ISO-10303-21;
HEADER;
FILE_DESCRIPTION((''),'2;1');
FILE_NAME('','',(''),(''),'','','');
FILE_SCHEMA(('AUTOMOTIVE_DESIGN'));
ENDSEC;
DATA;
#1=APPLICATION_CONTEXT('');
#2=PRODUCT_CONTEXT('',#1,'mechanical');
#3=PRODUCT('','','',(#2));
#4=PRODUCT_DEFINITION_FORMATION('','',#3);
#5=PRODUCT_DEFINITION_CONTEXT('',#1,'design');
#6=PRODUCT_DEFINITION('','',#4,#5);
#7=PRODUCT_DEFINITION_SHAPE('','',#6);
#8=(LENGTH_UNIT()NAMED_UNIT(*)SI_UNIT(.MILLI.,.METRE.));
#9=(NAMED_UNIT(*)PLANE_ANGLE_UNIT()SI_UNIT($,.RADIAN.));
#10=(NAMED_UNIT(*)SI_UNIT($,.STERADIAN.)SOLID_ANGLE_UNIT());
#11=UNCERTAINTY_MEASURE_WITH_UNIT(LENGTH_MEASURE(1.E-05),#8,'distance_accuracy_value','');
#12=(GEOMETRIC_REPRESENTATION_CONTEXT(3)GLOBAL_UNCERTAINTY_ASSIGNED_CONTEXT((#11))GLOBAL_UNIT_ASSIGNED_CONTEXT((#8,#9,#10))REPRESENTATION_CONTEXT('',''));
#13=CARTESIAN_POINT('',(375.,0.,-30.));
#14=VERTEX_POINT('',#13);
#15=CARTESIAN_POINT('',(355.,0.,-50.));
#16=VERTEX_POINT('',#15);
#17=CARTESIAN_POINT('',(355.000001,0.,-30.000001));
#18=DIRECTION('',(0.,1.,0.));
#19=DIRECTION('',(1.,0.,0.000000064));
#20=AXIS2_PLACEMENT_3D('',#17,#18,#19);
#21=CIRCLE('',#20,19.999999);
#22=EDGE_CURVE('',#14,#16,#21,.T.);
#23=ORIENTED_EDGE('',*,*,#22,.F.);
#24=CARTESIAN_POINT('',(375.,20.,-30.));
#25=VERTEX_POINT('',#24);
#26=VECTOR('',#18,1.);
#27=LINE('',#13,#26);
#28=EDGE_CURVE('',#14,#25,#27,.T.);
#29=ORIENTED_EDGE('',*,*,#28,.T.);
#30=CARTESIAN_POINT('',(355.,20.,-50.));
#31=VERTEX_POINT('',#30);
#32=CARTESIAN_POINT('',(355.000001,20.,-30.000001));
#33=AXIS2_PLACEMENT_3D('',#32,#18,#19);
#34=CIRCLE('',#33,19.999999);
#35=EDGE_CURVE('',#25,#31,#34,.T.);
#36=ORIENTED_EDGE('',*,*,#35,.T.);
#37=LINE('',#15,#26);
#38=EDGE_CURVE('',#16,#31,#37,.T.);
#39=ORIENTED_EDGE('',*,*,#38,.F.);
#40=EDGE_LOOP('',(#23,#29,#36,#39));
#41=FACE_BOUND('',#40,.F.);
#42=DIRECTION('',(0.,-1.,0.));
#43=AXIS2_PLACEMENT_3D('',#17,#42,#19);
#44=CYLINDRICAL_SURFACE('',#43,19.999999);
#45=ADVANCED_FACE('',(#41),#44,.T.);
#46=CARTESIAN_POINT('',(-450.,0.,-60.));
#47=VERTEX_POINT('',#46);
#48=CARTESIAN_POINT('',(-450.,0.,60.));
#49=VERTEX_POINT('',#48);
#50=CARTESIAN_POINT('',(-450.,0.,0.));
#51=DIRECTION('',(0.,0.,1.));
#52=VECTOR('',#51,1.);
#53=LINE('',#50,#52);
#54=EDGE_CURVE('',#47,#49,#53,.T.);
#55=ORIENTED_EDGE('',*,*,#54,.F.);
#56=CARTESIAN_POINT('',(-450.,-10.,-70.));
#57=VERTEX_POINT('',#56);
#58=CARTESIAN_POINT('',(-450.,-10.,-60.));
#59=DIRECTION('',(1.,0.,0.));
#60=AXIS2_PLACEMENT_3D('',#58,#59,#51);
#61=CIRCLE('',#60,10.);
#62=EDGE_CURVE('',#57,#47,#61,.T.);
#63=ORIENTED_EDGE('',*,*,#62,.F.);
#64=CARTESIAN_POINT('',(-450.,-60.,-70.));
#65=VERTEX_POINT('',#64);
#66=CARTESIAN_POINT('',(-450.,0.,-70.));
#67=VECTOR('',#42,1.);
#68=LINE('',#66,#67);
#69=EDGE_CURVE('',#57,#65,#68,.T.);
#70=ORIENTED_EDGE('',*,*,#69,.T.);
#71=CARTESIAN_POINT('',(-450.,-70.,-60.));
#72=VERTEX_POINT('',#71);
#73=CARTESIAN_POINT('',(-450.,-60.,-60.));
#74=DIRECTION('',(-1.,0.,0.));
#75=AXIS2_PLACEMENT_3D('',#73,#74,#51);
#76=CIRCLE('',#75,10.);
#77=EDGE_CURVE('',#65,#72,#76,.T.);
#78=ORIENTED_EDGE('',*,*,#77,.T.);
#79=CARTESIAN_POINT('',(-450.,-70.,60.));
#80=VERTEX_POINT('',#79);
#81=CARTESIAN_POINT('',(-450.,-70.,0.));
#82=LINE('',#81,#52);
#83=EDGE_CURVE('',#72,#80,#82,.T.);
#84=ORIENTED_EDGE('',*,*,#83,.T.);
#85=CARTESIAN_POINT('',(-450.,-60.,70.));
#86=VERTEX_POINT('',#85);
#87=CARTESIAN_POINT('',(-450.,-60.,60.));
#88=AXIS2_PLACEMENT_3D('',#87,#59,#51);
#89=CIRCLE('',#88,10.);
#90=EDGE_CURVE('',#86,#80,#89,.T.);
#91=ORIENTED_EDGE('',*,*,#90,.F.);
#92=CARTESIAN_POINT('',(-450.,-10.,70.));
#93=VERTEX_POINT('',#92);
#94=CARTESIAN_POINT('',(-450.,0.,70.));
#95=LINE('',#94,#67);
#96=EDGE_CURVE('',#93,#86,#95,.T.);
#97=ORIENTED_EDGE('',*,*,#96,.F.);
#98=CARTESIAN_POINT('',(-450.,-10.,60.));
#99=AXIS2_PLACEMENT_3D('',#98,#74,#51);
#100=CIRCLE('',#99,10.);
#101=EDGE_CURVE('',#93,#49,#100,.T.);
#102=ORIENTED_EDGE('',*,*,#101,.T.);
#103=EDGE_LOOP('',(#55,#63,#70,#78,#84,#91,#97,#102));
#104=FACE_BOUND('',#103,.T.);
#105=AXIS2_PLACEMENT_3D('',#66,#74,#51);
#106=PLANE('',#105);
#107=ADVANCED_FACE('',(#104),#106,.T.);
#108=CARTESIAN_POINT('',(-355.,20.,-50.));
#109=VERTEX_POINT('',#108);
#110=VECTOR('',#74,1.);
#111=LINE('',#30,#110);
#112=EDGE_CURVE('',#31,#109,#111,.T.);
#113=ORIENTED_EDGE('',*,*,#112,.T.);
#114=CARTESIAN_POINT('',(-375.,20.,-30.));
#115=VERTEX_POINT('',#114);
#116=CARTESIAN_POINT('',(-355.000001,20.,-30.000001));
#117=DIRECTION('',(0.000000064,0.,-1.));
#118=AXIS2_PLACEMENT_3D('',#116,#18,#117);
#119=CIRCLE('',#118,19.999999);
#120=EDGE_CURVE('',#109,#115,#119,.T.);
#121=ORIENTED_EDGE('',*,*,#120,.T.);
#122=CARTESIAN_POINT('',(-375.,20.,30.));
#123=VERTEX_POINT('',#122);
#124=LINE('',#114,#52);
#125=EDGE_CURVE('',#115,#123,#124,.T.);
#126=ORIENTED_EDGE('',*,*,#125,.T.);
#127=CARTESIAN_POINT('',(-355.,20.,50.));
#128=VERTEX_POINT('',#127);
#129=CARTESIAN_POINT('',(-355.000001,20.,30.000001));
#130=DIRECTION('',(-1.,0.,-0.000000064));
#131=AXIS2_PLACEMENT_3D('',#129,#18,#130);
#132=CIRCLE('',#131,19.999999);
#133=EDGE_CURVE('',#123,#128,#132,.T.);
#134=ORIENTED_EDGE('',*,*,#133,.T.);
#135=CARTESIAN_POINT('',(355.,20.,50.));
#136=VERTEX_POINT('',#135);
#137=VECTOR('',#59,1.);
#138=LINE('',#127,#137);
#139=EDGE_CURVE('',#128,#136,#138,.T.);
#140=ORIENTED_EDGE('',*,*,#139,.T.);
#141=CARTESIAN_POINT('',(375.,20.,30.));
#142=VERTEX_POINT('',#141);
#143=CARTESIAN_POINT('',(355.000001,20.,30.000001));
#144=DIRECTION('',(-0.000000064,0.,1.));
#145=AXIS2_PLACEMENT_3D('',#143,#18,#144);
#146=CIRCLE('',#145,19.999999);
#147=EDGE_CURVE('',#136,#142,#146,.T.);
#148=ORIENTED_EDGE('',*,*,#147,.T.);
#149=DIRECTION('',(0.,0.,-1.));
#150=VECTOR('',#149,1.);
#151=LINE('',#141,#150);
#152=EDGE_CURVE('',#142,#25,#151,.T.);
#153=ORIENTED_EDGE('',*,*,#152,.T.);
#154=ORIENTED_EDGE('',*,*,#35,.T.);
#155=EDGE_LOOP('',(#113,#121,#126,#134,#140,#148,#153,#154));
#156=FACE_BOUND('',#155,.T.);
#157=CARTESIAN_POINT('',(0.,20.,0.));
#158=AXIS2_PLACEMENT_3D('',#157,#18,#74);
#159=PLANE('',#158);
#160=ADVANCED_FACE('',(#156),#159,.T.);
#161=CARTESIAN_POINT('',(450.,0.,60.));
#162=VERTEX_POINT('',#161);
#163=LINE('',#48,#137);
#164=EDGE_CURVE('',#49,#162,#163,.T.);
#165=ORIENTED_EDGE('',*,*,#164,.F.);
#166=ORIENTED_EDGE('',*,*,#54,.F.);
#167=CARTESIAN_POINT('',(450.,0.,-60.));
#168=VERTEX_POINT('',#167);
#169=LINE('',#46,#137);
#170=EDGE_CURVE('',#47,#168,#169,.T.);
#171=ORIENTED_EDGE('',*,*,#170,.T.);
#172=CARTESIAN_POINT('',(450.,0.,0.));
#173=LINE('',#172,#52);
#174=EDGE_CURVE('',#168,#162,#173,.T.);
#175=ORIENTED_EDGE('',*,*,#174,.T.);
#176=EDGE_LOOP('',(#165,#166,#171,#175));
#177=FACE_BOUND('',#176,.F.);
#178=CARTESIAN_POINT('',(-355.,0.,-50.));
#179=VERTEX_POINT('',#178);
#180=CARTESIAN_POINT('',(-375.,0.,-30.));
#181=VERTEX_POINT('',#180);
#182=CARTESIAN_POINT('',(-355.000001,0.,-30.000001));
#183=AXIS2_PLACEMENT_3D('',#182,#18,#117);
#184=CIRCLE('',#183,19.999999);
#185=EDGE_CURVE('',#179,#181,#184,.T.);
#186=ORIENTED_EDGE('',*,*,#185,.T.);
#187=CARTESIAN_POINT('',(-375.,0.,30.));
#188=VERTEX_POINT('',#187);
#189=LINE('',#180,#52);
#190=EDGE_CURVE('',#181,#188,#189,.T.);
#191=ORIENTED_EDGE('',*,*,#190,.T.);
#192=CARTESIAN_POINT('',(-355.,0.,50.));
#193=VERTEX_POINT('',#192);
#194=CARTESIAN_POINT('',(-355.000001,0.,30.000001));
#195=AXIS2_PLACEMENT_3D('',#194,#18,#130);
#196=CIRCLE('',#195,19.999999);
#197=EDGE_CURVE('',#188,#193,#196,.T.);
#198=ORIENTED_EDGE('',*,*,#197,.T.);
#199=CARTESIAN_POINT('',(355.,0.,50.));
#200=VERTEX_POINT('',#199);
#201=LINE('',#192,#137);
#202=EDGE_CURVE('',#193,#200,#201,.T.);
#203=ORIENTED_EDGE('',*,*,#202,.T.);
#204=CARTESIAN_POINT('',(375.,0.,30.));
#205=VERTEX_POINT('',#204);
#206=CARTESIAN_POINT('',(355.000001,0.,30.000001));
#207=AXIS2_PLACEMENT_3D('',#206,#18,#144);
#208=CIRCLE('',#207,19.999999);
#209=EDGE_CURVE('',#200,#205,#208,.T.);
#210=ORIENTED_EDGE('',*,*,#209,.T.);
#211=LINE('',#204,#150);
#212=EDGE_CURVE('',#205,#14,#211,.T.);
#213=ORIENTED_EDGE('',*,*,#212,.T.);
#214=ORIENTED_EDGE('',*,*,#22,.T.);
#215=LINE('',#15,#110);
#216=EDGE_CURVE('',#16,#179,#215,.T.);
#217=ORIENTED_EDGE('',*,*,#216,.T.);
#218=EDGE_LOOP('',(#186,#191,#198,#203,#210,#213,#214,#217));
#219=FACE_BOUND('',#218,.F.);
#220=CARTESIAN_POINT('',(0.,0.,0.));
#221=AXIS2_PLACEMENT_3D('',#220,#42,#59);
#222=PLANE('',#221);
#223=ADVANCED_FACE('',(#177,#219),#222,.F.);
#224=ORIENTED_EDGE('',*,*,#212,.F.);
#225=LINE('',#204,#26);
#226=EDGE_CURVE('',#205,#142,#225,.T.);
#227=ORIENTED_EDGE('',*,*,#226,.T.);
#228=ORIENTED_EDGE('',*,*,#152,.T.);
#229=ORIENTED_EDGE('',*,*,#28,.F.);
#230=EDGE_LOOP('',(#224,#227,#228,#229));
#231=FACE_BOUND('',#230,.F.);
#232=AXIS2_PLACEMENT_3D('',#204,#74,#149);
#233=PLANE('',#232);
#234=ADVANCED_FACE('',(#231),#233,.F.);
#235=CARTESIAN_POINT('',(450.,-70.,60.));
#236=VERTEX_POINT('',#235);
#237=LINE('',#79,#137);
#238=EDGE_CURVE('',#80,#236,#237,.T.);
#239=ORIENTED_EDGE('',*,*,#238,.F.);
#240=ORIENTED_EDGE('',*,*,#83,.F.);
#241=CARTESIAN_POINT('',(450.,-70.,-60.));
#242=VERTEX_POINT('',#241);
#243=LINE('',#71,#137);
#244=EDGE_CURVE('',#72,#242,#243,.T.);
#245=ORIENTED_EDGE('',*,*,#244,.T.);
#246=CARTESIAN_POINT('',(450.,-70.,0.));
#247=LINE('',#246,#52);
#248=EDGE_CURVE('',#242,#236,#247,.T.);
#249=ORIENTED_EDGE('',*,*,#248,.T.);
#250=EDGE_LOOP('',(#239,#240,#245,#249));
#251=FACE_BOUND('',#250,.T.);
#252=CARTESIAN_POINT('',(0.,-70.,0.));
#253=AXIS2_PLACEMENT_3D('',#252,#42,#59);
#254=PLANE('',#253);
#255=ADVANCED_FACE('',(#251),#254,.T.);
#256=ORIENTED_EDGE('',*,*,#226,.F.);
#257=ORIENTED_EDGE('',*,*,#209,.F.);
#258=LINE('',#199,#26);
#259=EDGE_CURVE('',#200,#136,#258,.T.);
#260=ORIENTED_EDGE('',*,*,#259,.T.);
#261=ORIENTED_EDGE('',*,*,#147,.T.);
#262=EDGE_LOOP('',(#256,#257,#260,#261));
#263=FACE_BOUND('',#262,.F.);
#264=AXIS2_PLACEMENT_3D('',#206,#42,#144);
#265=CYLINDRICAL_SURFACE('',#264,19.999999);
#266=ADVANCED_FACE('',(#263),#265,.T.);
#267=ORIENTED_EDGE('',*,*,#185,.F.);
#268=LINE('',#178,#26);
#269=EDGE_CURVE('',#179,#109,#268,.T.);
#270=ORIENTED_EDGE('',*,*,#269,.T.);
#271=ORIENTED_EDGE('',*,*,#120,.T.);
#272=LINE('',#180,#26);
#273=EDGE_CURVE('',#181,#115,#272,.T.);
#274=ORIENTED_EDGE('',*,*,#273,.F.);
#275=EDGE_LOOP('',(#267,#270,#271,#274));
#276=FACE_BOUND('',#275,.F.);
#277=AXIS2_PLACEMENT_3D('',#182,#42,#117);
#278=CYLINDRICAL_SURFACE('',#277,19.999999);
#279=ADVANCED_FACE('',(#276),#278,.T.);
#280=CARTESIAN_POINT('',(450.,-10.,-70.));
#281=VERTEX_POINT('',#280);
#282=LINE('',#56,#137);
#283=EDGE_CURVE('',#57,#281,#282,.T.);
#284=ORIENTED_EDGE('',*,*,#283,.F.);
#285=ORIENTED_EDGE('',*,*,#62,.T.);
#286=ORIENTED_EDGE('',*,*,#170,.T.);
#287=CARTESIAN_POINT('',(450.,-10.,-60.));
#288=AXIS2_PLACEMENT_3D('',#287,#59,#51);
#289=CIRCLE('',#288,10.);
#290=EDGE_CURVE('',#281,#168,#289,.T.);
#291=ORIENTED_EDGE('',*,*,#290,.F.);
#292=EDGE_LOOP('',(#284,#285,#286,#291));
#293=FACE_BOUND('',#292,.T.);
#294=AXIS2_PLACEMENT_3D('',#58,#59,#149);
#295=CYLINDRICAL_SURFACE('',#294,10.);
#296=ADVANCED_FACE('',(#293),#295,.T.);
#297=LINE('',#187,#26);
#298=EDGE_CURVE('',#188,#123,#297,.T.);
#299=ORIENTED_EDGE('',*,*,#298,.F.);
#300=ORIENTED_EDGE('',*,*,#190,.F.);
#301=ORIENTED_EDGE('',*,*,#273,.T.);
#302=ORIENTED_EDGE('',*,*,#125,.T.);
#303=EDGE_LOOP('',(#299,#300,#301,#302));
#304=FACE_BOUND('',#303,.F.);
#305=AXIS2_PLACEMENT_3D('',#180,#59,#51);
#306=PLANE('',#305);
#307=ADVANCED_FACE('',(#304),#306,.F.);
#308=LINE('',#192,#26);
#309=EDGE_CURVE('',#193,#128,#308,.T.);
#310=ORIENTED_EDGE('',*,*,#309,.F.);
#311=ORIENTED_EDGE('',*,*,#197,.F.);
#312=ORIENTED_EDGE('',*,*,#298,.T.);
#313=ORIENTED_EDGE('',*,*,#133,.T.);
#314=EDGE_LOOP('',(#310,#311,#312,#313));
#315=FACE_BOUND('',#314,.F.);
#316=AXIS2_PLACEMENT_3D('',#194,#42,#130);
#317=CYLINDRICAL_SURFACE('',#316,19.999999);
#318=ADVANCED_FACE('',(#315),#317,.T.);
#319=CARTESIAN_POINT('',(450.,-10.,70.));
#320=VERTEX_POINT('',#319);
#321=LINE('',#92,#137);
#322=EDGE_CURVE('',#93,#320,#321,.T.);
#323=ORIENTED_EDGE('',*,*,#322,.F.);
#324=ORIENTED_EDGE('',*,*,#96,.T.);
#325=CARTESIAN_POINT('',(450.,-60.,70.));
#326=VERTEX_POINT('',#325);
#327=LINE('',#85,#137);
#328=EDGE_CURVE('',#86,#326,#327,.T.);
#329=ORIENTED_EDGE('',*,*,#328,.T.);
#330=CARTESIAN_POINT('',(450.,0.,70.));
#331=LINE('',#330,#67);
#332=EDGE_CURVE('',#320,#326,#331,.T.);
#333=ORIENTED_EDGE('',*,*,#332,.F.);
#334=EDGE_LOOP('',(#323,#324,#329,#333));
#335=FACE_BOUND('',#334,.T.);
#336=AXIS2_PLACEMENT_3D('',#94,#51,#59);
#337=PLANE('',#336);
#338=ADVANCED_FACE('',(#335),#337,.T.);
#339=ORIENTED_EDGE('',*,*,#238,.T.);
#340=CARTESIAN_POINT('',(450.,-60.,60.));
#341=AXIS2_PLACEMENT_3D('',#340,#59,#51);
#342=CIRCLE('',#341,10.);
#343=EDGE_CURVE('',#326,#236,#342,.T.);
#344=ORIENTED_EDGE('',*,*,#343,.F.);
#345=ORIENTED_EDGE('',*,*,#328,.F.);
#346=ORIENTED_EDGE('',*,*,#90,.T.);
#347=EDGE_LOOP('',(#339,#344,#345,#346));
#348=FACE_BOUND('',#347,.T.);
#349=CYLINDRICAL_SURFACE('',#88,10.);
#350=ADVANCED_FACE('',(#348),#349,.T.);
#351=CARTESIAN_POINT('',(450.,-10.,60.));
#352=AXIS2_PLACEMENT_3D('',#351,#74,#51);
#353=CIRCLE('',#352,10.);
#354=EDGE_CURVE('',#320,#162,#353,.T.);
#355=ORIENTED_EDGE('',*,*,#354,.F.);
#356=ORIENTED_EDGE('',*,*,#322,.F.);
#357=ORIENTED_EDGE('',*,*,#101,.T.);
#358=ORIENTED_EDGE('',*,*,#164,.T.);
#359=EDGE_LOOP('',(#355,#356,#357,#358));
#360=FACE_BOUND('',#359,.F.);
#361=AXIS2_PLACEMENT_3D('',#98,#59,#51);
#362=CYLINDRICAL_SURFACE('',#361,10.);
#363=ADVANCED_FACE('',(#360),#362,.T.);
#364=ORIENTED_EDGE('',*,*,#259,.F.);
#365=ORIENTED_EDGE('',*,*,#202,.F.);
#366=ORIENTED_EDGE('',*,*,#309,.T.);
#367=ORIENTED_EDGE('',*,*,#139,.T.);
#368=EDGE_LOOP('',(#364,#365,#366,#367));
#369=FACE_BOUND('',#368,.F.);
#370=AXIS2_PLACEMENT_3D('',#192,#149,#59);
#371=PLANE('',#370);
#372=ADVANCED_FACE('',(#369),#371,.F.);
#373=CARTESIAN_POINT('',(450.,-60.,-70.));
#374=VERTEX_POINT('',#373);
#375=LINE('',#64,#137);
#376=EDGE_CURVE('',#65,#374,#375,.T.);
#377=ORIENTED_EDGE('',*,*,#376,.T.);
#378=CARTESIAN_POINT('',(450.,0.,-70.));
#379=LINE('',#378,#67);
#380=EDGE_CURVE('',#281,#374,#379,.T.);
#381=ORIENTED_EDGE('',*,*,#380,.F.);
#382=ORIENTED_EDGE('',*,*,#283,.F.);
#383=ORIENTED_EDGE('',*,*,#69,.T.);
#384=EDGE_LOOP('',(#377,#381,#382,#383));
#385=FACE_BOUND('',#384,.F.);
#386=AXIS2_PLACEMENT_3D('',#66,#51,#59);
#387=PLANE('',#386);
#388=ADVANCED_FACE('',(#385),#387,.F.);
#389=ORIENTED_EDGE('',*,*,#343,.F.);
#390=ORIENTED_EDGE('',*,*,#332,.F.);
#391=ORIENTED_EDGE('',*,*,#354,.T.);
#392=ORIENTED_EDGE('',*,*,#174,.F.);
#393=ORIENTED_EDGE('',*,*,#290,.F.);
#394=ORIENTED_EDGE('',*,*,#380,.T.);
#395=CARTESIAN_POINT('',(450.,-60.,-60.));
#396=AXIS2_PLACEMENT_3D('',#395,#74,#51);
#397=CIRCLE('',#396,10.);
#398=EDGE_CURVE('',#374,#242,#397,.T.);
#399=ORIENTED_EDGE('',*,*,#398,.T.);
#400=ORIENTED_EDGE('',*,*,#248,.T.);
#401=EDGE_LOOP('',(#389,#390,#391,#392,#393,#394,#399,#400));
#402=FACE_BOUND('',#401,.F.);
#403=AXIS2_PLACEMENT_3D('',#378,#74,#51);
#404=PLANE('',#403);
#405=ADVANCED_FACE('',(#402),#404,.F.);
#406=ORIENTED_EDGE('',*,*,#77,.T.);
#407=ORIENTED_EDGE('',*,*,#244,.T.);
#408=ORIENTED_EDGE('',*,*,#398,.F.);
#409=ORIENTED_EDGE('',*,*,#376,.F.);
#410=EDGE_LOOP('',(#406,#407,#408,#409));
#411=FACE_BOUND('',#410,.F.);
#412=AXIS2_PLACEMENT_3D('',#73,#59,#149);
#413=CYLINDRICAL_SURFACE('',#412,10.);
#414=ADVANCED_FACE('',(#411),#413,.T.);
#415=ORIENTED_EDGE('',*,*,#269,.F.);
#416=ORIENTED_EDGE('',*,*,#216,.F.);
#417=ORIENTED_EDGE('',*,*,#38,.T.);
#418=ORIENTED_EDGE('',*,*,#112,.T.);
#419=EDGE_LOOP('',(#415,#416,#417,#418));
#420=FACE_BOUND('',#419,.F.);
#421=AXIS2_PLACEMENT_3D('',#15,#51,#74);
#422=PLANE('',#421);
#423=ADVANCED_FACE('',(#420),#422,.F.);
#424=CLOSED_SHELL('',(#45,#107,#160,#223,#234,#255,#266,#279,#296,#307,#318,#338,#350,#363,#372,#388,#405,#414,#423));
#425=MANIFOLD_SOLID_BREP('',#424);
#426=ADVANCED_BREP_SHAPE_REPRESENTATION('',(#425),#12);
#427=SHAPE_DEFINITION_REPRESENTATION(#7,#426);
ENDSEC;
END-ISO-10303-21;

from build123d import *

# Parameters (mm, degrees)
F0_W     = 900
F0_H     = 140
F1_DEPTH = 70
F2_R     = 10
F4_DEPTH = 20


with BuildPart() as f1:
    # F0 (on Front) → F1 (new body)
    with BuildSketch(Plane.XZ):
        Rectangle(F0_W, F0_H)
    extrude(amount=F1_DEPTH)

    # F2
    f2_edges = [f1.edges().sort_by_distance(p)[0] for p in [
        (0, -70, 70),
        (0, 0, 70),
        (0, -70, -70),
        (0, 0, -70),
    ]]
    fillet(f2_edges, radius=F2_R)

    # F3 (on face) → F4 (join)
    with BuildSketch(Plane(origin=(0, 0, 0), x_dir=(-1, 0, 0), z_dir=(0, 1, 0))):
        with BuildLine():
            ThreePointArc((375, 30), (369.142136, 44.142136), (355, 50))
            Line((355, 50), (-355, 50))
            ThreePointArc((-355, 50), (-369.142136, 44.142136), (-375, 30))
            Line((-375, 30), (-375, -30))
            ThreePointArc((-375, -30), (-369.142136, -44.142136), (-355, -50))
            Line((-355, -50), (355, -50))
            ThreePointArc((355, -50), (369.142136, -44.142136), (375, -30))
            Line((375, -30), (375, 30))
        make_face()
    extrude(amount=F4_DEPTH)


solid = f1.part
